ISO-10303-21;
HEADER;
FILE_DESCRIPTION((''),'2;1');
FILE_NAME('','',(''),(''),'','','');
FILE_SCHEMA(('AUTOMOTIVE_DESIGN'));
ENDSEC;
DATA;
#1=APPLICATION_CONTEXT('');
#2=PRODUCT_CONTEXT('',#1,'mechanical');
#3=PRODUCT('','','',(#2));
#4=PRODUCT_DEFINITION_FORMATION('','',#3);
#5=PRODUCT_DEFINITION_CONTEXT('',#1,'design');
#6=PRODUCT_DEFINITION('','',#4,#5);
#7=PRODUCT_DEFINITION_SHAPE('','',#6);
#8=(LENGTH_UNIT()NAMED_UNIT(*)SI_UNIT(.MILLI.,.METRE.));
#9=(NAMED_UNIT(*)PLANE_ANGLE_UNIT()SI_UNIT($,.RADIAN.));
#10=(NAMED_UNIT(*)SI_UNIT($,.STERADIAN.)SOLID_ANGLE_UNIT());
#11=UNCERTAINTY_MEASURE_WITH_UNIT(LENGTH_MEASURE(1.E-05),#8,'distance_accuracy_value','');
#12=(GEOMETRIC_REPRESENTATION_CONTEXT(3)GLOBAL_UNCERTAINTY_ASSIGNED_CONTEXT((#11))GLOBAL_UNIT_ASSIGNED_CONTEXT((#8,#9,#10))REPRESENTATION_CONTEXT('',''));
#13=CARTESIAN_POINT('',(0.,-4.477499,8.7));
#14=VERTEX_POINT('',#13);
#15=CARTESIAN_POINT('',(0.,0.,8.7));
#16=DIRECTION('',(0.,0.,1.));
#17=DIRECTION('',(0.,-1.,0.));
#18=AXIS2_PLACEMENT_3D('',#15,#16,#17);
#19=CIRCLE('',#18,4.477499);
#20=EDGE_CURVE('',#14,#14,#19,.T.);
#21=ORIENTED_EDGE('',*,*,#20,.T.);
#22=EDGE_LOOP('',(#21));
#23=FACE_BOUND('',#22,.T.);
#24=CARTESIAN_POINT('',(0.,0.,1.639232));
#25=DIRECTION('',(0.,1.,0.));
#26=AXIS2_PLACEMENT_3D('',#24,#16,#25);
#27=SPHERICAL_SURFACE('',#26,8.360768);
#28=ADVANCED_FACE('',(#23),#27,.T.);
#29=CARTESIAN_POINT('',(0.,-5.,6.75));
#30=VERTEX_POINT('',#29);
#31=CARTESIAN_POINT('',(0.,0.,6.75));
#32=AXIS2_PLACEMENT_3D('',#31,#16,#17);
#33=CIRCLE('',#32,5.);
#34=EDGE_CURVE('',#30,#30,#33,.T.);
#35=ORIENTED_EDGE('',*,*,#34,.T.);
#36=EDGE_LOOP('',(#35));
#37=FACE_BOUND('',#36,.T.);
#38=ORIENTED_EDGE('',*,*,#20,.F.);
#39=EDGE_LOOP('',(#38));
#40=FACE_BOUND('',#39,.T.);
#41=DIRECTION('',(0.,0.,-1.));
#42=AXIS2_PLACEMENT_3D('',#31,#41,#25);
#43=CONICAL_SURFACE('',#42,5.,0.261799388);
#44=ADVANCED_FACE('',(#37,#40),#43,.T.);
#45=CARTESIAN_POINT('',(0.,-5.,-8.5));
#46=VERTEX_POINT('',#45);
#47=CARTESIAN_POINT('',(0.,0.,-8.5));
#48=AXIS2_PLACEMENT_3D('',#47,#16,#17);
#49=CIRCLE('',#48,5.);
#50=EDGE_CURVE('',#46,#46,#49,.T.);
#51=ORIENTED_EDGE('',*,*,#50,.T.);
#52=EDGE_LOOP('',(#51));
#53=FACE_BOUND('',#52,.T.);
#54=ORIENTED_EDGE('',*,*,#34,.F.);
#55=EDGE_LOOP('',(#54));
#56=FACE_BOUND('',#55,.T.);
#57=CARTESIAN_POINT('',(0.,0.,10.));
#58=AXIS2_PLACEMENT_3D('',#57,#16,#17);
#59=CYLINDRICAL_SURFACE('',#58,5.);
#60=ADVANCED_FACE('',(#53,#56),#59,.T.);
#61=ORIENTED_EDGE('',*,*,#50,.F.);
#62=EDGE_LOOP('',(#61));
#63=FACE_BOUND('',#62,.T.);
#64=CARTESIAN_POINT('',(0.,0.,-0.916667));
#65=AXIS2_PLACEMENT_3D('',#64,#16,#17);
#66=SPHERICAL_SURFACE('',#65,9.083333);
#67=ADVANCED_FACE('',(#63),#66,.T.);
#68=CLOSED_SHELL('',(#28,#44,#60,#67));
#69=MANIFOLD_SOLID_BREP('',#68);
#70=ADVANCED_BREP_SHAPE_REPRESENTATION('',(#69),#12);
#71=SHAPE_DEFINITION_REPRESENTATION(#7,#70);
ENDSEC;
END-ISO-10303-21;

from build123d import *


with BuildPart() as part:
    # Sketch3 → Revolve1 (revolve)
    with BuildSketch(Plane(origin=(0, 0, 0), x_dir=(0, 0, -1), z_dir=(1, 0, 0))):
        with BuildLine():
            Line((-10, 0), (10, 0))
            ThreePointArc((10, 0), (9.616922091, 2.610076627), (8.5, 5))
            Line((8.5, 5), (-6.75, 5))
            Line((-6.75, 5), (-8.7, 4.477499075))
            ThreePointArc((-8.7, 4.477499075), (-9.668425132, 2.331201298), (-10, 0))
        make_face()
    revolve(axis=Axis((0, 0, 10), (0, 0, -1)))


solid = part.part
